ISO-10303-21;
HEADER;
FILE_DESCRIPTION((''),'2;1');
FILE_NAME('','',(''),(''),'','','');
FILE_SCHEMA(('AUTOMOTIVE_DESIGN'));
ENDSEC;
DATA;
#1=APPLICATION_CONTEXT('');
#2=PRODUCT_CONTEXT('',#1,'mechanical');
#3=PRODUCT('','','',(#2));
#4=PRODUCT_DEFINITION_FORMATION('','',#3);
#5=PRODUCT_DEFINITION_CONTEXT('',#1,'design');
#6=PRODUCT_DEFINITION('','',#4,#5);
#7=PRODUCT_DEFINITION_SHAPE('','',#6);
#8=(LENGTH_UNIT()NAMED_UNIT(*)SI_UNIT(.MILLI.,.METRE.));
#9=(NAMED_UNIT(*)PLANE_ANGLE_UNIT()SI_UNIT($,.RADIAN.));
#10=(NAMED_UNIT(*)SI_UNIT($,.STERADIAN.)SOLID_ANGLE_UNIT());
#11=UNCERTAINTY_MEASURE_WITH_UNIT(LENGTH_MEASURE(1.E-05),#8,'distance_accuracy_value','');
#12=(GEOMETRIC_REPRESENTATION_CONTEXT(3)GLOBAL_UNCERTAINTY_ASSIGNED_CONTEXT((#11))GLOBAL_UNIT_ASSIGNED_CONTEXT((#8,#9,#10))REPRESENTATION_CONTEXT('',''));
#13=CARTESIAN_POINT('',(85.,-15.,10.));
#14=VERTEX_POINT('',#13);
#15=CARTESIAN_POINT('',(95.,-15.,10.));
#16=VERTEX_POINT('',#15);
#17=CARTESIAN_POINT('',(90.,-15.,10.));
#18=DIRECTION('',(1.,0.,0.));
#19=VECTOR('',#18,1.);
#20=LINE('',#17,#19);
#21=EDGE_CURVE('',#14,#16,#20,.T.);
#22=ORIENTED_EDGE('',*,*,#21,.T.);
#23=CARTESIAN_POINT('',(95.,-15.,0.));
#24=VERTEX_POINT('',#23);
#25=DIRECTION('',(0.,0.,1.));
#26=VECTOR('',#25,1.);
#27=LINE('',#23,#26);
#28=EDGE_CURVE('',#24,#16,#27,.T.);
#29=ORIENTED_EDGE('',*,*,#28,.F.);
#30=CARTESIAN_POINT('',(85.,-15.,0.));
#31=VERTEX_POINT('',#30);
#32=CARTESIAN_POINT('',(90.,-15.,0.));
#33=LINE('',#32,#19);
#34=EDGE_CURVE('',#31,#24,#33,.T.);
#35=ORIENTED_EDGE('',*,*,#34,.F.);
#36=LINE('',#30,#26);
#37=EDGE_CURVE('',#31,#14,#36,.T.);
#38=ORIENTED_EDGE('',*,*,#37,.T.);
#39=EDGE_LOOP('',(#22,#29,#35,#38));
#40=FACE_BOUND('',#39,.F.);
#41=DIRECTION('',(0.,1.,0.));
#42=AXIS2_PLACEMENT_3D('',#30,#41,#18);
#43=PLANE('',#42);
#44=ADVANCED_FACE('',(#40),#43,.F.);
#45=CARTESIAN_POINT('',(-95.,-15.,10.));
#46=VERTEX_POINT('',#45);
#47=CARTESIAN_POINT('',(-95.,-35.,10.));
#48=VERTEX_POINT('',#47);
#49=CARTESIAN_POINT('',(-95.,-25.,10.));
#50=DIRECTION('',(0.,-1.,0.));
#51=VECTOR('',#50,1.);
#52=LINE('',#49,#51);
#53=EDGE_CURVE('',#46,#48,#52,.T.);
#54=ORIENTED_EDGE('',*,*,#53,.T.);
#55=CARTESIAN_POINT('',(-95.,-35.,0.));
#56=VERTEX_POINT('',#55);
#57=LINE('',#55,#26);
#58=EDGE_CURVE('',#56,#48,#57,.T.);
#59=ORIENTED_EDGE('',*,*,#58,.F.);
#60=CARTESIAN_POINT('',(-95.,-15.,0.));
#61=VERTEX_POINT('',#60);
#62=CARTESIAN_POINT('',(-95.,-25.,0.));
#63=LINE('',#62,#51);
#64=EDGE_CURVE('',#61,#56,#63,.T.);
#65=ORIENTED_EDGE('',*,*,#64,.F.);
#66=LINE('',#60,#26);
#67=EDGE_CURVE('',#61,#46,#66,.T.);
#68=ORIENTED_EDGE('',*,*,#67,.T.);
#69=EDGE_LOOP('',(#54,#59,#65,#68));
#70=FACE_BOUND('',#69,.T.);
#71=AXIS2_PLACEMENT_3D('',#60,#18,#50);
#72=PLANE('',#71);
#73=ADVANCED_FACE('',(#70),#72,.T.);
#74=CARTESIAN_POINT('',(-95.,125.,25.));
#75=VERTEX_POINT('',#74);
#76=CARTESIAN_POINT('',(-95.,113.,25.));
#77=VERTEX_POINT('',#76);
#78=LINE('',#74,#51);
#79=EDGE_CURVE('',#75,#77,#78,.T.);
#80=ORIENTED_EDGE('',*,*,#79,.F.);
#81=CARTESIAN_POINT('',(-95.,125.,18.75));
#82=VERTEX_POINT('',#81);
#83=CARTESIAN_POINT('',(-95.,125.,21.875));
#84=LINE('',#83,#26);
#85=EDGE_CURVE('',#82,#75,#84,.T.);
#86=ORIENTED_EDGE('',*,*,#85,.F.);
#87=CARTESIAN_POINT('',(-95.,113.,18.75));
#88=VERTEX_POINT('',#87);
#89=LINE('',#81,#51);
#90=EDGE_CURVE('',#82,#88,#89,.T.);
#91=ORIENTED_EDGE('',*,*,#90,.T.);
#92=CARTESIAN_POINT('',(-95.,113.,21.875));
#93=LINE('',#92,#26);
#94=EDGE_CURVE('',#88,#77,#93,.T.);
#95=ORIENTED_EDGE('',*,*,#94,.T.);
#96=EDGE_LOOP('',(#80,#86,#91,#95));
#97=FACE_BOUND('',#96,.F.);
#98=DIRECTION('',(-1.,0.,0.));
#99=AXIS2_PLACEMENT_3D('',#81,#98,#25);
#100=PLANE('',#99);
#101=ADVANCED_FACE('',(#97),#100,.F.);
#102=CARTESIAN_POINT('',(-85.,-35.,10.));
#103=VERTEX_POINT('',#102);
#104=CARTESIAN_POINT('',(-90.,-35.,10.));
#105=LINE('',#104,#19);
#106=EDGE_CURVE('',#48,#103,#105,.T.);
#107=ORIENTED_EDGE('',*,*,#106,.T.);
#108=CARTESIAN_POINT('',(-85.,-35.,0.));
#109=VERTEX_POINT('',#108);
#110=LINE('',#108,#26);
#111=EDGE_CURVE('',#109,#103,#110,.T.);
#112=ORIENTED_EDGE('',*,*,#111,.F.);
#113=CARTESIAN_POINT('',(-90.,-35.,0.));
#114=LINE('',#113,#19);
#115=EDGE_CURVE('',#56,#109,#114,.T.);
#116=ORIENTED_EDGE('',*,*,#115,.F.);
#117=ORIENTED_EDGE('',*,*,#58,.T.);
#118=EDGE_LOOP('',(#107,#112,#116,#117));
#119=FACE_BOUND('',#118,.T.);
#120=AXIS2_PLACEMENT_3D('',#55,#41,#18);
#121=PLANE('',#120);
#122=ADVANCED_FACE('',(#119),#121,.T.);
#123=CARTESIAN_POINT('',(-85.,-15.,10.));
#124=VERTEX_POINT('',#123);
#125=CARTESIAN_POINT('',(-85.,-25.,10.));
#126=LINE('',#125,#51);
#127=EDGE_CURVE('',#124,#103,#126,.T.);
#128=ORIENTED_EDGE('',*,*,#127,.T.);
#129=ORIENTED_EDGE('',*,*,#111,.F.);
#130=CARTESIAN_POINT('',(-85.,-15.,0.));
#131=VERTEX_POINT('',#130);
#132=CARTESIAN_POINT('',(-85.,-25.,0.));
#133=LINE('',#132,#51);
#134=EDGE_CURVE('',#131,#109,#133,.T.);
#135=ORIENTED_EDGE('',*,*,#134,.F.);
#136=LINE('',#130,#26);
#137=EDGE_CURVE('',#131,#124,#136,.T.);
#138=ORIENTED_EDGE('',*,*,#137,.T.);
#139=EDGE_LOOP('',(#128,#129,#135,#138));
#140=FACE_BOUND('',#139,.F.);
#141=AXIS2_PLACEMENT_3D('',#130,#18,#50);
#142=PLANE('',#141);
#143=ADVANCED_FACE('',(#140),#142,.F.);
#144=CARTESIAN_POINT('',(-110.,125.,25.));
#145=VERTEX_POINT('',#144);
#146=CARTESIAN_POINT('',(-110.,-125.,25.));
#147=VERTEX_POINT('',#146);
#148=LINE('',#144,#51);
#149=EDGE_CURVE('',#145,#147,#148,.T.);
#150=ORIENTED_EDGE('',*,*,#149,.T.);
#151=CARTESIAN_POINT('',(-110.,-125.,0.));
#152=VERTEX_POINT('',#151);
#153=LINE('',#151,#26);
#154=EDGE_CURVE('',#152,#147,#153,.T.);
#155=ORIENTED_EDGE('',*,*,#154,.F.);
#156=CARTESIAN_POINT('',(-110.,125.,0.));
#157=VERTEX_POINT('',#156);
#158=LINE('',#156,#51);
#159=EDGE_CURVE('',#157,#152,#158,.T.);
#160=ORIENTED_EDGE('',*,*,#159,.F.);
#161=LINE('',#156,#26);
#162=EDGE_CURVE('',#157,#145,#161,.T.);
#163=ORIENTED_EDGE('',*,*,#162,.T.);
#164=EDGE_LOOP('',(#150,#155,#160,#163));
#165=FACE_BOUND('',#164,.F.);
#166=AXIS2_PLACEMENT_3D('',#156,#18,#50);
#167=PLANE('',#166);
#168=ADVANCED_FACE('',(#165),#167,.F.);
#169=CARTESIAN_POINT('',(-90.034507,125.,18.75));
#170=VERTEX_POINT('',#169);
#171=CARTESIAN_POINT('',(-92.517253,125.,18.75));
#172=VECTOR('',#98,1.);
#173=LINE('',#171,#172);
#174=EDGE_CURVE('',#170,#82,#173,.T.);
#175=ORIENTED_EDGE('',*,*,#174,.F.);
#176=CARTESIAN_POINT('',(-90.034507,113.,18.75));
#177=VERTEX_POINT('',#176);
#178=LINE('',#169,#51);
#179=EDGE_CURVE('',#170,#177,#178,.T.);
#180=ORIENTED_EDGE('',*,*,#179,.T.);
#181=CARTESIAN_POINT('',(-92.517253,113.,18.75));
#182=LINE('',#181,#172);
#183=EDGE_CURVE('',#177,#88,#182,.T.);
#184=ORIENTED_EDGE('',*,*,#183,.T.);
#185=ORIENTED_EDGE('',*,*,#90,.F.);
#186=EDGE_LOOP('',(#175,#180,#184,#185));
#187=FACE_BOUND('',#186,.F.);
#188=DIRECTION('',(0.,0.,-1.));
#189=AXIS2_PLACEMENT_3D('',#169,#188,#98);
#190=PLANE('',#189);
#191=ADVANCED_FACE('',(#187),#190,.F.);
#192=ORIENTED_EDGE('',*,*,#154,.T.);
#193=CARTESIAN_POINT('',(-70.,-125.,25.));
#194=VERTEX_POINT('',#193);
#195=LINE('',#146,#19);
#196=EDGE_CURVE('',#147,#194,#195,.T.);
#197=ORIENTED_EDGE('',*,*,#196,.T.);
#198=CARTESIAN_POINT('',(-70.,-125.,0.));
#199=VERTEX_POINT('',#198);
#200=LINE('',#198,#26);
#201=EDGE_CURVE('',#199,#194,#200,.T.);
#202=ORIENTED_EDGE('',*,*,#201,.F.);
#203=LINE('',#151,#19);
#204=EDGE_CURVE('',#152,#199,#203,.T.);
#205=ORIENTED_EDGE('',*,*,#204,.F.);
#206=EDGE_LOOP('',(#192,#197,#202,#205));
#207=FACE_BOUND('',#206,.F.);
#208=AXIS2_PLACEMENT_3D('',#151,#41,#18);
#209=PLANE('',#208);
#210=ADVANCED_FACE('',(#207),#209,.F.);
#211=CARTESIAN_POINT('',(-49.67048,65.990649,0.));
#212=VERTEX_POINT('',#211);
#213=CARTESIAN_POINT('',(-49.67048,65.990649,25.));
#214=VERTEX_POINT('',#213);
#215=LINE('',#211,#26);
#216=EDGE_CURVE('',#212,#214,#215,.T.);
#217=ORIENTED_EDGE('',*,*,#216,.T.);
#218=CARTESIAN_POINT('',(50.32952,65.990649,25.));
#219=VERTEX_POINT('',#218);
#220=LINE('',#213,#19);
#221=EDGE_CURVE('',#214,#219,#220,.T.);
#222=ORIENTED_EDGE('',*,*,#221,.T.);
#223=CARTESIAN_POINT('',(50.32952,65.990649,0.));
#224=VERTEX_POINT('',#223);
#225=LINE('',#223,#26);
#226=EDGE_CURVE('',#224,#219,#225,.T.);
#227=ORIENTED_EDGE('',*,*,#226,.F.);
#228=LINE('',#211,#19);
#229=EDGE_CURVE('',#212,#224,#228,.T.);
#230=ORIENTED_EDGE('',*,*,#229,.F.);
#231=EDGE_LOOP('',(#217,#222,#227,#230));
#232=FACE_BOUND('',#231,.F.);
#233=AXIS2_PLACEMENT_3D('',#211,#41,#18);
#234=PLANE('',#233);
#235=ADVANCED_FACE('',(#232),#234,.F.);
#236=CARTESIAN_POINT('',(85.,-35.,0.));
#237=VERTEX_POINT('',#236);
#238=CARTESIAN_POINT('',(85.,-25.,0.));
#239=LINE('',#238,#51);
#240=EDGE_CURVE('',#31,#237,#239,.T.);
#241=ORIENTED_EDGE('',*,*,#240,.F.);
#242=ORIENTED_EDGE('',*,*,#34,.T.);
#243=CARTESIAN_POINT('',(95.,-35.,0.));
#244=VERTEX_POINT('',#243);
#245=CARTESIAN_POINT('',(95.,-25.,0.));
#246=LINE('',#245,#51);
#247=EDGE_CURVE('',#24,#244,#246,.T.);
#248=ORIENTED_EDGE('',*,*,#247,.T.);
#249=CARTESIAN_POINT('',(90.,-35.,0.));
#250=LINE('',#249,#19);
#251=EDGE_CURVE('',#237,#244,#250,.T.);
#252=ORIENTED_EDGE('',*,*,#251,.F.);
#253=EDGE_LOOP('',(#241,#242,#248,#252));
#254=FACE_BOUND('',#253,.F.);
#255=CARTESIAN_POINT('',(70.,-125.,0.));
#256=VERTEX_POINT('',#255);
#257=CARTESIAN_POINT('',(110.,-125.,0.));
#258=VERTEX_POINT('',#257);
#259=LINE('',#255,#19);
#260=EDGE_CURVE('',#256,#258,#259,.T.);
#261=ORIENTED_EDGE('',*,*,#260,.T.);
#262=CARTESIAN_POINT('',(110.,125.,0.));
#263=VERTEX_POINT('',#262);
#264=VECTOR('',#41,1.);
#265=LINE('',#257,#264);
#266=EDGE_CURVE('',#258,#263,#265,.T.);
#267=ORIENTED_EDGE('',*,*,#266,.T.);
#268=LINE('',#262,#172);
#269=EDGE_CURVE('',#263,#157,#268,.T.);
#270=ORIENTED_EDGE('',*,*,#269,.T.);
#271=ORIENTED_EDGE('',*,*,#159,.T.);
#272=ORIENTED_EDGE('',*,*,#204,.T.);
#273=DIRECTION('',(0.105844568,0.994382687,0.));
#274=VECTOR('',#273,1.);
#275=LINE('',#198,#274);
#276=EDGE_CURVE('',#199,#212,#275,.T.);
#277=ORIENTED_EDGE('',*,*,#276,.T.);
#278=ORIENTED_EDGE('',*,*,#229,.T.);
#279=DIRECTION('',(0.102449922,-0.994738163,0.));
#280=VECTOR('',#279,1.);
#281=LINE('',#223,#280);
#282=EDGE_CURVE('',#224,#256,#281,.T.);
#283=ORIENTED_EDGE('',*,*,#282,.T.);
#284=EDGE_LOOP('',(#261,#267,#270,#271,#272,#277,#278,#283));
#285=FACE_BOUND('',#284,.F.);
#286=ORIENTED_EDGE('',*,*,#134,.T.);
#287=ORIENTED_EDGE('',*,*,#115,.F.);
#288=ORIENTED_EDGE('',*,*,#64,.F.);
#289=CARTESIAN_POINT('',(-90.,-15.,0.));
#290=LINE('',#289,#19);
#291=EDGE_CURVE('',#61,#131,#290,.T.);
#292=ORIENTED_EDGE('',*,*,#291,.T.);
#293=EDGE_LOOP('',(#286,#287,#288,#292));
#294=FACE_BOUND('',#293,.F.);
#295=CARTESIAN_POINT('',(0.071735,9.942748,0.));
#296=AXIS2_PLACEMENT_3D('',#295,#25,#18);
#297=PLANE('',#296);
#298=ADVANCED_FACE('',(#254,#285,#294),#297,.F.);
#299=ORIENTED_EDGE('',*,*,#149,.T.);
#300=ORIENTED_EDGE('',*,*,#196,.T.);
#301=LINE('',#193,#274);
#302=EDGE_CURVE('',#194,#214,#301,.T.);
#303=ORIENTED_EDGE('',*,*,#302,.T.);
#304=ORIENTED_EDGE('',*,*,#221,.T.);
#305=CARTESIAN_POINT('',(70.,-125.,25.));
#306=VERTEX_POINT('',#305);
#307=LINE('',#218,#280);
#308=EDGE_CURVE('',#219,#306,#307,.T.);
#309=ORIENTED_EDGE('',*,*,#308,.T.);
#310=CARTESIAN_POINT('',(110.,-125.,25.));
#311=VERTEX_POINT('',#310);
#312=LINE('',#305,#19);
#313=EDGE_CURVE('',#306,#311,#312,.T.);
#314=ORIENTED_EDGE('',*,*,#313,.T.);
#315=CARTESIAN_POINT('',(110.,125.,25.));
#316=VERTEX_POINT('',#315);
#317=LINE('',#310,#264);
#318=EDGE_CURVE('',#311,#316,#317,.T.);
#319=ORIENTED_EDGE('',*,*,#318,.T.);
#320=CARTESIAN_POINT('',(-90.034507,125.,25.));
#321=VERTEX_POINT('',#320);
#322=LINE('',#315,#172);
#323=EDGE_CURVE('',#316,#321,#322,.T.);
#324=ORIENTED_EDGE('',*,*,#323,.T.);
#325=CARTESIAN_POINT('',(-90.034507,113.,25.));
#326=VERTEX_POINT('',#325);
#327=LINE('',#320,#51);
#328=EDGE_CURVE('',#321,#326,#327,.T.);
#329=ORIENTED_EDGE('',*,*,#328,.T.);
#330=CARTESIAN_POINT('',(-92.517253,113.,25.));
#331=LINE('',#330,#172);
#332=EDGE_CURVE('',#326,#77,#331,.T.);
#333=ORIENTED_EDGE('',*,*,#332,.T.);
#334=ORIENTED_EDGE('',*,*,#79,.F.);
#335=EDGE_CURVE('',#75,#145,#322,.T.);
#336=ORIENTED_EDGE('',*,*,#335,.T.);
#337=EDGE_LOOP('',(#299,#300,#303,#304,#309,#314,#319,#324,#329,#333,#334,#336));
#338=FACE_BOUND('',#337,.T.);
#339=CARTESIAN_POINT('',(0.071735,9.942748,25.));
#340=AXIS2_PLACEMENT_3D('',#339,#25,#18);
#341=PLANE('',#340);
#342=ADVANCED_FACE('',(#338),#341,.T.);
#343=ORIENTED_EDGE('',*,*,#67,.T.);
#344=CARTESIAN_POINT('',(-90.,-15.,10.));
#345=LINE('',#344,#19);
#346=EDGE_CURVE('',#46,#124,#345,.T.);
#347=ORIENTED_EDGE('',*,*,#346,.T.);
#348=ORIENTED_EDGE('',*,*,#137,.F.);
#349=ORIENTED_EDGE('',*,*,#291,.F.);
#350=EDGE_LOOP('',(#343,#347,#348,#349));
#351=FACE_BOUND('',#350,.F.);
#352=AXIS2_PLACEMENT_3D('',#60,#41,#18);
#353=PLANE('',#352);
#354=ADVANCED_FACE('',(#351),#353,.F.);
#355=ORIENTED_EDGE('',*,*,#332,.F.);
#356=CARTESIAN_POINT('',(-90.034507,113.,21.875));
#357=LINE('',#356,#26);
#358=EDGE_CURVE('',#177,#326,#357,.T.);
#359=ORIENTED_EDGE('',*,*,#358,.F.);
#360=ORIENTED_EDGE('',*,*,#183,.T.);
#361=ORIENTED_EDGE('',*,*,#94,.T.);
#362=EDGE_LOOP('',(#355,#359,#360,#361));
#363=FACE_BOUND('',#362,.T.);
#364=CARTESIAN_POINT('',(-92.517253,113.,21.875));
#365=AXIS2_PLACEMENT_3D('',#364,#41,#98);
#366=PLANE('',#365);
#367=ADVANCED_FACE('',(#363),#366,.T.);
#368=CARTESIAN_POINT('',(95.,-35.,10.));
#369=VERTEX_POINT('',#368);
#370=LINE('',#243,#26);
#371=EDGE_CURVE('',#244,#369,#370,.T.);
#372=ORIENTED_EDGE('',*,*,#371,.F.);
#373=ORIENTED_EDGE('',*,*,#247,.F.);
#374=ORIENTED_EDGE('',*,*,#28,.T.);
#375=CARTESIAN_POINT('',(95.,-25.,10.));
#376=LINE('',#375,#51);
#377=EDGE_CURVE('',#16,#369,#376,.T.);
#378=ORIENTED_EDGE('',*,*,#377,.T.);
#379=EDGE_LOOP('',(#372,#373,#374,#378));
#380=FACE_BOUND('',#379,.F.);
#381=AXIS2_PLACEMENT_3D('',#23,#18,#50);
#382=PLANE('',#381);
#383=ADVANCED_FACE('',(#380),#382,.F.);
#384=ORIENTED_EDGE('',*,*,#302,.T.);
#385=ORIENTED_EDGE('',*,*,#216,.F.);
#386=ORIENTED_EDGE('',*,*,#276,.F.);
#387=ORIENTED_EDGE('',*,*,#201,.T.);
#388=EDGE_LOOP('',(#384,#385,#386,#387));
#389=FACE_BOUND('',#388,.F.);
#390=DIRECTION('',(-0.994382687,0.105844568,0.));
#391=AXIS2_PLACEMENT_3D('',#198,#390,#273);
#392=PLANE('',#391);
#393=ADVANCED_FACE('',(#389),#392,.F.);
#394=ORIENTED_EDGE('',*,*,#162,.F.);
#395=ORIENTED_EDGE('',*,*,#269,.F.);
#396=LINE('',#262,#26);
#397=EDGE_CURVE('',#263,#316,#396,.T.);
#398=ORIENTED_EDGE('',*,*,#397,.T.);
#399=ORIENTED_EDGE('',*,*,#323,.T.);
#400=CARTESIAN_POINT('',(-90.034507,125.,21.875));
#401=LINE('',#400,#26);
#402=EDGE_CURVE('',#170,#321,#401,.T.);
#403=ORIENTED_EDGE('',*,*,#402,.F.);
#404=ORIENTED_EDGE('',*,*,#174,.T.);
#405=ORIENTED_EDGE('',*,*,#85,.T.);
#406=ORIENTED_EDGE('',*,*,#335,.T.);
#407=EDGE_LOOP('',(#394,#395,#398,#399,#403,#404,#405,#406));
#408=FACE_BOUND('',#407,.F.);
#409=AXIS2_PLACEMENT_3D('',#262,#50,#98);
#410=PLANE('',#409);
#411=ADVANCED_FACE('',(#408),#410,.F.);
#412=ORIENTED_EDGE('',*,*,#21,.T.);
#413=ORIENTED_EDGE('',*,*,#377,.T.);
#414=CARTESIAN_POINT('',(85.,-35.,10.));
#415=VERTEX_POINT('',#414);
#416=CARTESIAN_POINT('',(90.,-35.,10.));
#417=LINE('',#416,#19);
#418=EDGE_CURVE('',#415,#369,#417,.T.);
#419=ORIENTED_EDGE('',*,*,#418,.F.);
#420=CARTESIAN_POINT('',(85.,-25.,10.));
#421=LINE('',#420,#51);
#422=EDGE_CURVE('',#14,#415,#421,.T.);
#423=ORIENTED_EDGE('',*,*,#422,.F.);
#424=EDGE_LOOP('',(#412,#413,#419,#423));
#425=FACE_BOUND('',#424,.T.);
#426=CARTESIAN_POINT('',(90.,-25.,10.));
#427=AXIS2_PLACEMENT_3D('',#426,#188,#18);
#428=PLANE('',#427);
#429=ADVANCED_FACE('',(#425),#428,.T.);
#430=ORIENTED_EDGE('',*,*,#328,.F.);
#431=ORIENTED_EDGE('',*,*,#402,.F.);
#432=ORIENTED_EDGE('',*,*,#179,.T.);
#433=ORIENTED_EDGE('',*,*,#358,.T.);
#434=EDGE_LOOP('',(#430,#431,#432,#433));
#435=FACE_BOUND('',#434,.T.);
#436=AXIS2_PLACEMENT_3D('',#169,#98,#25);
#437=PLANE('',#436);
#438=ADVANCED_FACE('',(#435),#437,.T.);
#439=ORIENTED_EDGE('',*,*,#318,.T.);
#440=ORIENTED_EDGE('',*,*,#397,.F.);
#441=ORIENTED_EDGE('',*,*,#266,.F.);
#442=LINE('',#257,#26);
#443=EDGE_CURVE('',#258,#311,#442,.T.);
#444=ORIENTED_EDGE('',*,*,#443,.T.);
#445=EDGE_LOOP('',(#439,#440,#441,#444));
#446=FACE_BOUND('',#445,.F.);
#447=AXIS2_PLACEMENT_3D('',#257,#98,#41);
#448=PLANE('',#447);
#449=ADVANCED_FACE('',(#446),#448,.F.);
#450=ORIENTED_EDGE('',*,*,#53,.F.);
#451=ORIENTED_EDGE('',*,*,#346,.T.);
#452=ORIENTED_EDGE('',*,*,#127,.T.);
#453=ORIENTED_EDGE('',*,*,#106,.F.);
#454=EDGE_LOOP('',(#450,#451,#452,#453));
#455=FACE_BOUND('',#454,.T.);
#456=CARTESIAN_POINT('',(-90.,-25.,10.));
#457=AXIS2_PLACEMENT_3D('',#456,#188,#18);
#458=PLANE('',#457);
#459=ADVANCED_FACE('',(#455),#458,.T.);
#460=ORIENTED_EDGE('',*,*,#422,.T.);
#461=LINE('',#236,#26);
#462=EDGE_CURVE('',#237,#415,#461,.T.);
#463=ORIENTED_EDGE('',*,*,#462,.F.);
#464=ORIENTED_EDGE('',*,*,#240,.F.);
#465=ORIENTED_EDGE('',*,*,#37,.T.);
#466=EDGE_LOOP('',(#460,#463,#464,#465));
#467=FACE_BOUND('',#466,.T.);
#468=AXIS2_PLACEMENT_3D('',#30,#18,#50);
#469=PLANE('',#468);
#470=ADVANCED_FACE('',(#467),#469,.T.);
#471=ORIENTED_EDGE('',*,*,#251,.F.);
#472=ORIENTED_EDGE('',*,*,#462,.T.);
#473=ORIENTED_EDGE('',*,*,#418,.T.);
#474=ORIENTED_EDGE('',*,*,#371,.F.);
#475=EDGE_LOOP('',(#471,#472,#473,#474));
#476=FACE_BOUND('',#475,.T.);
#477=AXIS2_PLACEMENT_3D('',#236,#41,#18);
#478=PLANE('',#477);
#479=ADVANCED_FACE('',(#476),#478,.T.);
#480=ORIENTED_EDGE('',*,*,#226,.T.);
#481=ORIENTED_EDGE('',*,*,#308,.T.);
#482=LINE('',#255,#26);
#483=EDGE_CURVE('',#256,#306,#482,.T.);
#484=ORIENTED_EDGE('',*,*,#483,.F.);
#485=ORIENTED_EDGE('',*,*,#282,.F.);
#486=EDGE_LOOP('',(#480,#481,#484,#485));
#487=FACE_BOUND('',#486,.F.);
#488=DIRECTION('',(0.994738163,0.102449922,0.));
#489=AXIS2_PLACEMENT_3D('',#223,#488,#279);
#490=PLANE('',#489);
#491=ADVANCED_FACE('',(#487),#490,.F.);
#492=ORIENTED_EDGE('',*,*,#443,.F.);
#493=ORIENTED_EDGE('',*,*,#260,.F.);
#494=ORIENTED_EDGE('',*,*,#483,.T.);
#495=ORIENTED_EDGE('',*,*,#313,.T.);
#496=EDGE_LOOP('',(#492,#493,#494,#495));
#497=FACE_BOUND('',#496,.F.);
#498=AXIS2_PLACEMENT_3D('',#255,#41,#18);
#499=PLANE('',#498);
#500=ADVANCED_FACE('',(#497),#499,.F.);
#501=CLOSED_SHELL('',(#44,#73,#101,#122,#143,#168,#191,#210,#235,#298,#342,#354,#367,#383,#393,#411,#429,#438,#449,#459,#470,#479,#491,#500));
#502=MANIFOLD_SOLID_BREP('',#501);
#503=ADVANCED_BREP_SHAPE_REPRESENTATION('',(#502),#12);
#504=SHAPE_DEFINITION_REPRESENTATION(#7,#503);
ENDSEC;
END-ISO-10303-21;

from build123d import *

# Parameters (mm, degrees)
F1_DEPTH = 25
F2_W     = 4.965493
F2_H     = 6.25
F3_DEPTH = 12
F4_W     = 10
F4_H     = 20
F5_DEPTH = 10


with BuildPart() as f1:
    # F0 (on Top) → F1 (new body)
    with BuildSketch(Plane.XY):
        Polygon((110, -125), (110, 125), (-110, 125), (-110, -125), (-70, -125), (-49.67048, 65.990649), (50.32952, 65.990649), (70, -125), align=None)
    extrude(amount=F1_DEPTH)

    # F2 (on face) → F3 (cut)
    with BuildSketch(Plane(origin=(0, 125, 0), x_dir=(-1, 0, 0), z_dir=(0, 1, 0))):
        with Locations((92.517253, 21.875)):
            Rectangle(F2_W, F2_H)
    extrude(amount=-F3_DEPTH, mode=Mode.SUBTRACT)

    # F4 (on face) → F5 (cut)
    with BuildSketch(Plane(origin=(0, 0, 0), x_dir=(1, 0, 0), z_dir=(0, 0, -1))):
        with Locations((-90, 25)):
            Rectangle(F4_W, F4_H)
        with Locations((90, 25)):
            Rectangle(F4_W, F4_H)
    extrude(amount=-F5_DEPTH, mode=Mode.SUBTRACT)


solid = f1.part
